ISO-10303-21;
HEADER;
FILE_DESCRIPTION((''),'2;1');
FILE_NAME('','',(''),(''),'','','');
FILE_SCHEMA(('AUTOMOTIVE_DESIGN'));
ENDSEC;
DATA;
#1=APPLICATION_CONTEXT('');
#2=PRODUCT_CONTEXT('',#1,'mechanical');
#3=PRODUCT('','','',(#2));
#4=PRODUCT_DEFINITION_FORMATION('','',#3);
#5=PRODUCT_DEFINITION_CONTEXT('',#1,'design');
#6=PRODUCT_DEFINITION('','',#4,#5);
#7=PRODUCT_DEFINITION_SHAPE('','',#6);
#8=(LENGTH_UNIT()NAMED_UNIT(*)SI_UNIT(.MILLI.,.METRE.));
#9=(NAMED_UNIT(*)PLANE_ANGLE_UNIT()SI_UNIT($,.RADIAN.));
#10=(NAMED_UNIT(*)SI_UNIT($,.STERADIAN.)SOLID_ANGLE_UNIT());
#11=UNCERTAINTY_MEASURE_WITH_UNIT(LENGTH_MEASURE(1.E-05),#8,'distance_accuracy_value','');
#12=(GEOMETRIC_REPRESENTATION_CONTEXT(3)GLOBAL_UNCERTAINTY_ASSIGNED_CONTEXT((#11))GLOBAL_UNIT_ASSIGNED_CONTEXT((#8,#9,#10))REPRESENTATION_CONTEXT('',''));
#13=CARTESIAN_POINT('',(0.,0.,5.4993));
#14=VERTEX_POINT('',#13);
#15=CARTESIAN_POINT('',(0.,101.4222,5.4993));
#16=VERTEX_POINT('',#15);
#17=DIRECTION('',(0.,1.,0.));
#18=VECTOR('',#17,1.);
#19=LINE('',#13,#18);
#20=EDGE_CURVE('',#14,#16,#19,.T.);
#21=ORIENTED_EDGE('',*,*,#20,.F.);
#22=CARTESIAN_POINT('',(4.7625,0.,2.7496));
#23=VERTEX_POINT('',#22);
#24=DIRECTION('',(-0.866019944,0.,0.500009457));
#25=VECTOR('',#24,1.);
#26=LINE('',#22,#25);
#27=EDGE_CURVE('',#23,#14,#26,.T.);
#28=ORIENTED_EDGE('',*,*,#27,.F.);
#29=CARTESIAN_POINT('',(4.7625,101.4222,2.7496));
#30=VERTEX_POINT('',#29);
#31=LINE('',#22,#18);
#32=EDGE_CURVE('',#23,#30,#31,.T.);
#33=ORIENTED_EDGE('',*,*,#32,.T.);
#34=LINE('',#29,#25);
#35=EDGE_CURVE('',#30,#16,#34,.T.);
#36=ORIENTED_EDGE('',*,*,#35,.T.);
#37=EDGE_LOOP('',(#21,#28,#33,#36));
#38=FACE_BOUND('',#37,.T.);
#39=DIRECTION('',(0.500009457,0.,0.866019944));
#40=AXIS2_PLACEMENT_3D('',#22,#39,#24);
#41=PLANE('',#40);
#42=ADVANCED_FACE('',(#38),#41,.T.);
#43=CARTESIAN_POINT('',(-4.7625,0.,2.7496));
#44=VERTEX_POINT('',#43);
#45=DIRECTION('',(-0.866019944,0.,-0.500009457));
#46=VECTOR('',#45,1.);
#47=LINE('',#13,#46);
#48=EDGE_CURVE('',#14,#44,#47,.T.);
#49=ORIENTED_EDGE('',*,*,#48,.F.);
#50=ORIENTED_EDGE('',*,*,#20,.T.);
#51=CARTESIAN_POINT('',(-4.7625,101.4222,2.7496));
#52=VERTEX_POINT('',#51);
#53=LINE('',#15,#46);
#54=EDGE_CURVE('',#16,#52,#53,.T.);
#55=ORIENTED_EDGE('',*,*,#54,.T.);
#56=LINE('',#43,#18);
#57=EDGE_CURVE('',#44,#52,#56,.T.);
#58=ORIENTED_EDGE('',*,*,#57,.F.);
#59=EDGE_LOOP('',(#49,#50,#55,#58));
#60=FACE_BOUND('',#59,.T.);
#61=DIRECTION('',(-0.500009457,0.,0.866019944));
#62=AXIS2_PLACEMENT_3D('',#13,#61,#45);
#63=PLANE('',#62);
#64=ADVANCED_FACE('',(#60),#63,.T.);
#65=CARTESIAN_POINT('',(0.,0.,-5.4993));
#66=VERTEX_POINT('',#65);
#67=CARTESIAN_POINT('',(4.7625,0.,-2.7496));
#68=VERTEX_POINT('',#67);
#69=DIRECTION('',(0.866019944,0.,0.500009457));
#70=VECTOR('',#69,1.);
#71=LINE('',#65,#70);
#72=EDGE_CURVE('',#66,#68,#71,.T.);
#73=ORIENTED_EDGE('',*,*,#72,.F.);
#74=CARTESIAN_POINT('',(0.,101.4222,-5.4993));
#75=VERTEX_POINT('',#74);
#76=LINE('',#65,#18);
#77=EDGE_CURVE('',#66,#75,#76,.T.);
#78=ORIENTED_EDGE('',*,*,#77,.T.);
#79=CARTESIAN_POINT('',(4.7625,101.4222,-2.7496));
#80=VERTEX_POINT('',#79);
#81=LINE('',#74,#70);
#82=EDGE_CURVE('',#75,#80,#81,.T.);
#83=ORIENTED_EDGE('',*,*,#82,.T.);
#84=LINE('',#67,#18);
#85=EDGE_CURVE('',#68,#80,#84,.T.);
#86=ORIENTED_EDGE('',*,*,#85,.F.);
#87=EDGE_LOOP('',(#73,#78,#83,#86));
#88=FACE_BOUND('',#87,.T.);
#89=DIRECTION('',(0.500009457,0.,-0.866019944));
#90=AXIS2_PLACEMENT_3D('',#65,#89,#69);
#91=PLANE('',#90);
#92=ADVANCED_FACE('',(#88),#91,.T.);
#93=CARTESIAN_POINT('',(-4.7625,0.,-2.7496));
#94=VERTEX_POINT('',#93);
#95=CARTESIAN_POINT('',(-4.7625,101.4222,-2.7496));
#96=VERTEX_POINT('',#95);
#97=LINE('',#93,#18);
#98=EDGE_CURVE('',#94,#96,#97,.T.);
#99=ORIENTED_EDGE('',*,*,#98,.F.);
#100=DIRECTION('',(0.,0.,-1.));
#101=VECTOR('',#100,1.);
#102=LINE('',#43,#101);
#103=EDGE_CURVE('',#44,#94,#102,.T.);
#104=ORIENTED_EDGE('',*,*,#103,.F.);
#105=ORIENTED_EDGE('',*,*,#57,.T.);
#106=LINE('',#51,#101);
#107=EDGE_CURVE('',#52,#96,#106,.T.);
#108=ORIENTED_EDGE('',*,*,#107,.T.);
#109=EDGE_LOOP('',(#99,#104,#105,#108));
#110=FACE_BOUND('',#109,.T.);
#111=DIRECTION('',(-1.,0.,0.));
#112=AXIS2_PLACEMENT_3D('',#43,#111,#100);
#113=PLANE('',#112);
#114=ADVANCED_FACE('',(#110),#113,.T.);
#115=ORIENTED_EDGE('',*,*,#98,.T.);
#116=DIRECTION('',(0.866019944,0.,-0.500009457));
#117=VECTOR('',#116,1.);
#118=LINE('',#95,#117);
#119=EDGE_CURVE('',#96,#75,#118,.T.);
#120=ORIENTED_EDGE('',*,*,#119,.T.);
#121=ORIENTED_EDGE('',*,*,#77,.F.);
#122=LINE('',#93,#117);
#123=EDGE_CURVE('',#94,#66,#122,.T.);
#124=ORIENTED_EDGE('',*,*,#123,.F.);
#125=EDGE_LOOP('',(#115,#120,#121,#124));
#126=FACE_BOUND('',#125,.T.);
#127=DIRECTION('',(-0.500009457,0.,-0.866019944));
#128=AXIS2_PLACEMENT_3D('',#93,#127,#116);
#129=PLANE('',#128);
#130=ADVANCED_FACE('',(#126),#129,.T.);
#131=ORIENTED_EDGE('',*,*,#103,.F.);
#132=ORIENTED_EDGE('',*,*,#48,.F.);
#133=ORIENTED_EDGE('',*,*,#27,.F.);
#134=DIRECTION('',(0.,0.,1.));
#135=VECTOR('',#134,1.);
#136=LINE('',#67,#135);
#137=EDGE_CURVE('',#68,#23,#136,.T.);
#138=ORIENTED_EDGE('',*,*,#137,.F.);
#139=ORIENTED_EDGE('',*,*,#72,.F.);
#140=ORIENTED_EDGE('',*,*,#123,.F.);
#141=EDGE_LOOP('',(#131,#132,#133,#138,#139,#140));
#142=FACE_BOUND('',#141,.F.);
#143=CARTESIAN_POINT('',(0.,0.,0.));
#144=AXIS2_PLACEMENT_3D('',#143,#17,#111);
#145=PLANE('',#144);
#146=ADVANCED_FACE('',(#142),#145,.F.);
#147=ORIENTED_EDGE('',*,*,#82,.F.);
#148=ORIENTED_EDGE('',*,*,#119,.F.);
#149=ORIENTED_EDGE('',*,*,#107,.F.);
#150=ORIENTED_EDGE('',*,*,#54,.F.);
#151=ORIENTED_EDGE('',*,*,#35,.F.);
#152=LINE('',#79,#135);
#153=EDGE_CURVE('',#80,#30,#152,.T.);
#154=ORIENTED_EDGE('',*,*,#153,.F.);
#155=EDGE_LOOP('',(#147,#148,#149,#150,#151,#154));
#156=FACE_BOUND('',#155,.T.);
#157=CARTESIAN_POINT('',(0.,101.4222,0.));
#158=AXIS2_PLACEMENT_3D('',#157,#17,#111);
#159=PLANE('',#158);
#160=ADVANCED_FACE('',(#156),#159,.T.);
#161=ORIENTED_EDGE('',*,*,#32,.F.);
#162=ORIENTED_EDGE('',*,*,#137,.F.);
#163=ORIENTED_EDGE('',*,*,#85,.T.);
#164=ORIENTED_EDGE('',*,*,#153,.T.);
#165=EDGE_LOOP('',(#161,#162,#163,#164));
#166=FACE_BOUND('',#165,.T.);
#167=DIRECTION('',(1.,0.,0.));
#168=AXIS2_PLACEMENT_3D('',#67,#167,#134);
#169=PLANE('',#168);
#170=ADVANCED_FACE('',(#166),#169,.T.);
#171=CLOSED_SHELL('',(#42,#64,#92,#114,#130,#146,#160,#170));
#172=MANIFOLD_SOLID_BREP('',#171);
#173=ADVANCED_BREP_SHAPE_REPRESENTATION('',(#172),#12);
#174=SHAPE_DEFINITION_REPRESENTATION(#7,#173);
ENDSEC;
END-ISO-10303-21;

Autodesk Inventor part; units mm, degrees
ref_plane "YZ Plane" through (0, 0, 0) normal (1, 0, 0) x (0, 1, 0)
ref_plane "XZ Plane" through (0, 0, 0) normal (0, 1, 0) x (-1, 0, 0)
ref_plane "XY Plane" through (0, 0, 0) normal (0, 0, 1) x (1, 0, 0)
sketch "Sketch1" plane through (0, 0, 0) normal (0, 1, 0) x (-1, 0, 0)
  line L0 (0, 5.4993) -> (4.7625, 2.7496)
  line L1 (4.7625, 2.7496) -> (4.7625, -2.7496)
  line L2 (4.7625, -2.7496) -> (0, -5.4993)
  line L3 (0, -5.4993) -> (-4.7625, -2.7496)
  line L4 (-4.7625, -2.7496) -> (-4.7625, 2.7496)
  line L5 (-4.7625, 2.7496) -> (0, 5.4993)
  point P0 (0, 0)
  point P1 (0, 0)
  dimension "d0" = 9.525
extrude "Extrusion1" add sketch "Sketch1" along normal blind 101.4222
properties part number "Shooter hex shaft"
